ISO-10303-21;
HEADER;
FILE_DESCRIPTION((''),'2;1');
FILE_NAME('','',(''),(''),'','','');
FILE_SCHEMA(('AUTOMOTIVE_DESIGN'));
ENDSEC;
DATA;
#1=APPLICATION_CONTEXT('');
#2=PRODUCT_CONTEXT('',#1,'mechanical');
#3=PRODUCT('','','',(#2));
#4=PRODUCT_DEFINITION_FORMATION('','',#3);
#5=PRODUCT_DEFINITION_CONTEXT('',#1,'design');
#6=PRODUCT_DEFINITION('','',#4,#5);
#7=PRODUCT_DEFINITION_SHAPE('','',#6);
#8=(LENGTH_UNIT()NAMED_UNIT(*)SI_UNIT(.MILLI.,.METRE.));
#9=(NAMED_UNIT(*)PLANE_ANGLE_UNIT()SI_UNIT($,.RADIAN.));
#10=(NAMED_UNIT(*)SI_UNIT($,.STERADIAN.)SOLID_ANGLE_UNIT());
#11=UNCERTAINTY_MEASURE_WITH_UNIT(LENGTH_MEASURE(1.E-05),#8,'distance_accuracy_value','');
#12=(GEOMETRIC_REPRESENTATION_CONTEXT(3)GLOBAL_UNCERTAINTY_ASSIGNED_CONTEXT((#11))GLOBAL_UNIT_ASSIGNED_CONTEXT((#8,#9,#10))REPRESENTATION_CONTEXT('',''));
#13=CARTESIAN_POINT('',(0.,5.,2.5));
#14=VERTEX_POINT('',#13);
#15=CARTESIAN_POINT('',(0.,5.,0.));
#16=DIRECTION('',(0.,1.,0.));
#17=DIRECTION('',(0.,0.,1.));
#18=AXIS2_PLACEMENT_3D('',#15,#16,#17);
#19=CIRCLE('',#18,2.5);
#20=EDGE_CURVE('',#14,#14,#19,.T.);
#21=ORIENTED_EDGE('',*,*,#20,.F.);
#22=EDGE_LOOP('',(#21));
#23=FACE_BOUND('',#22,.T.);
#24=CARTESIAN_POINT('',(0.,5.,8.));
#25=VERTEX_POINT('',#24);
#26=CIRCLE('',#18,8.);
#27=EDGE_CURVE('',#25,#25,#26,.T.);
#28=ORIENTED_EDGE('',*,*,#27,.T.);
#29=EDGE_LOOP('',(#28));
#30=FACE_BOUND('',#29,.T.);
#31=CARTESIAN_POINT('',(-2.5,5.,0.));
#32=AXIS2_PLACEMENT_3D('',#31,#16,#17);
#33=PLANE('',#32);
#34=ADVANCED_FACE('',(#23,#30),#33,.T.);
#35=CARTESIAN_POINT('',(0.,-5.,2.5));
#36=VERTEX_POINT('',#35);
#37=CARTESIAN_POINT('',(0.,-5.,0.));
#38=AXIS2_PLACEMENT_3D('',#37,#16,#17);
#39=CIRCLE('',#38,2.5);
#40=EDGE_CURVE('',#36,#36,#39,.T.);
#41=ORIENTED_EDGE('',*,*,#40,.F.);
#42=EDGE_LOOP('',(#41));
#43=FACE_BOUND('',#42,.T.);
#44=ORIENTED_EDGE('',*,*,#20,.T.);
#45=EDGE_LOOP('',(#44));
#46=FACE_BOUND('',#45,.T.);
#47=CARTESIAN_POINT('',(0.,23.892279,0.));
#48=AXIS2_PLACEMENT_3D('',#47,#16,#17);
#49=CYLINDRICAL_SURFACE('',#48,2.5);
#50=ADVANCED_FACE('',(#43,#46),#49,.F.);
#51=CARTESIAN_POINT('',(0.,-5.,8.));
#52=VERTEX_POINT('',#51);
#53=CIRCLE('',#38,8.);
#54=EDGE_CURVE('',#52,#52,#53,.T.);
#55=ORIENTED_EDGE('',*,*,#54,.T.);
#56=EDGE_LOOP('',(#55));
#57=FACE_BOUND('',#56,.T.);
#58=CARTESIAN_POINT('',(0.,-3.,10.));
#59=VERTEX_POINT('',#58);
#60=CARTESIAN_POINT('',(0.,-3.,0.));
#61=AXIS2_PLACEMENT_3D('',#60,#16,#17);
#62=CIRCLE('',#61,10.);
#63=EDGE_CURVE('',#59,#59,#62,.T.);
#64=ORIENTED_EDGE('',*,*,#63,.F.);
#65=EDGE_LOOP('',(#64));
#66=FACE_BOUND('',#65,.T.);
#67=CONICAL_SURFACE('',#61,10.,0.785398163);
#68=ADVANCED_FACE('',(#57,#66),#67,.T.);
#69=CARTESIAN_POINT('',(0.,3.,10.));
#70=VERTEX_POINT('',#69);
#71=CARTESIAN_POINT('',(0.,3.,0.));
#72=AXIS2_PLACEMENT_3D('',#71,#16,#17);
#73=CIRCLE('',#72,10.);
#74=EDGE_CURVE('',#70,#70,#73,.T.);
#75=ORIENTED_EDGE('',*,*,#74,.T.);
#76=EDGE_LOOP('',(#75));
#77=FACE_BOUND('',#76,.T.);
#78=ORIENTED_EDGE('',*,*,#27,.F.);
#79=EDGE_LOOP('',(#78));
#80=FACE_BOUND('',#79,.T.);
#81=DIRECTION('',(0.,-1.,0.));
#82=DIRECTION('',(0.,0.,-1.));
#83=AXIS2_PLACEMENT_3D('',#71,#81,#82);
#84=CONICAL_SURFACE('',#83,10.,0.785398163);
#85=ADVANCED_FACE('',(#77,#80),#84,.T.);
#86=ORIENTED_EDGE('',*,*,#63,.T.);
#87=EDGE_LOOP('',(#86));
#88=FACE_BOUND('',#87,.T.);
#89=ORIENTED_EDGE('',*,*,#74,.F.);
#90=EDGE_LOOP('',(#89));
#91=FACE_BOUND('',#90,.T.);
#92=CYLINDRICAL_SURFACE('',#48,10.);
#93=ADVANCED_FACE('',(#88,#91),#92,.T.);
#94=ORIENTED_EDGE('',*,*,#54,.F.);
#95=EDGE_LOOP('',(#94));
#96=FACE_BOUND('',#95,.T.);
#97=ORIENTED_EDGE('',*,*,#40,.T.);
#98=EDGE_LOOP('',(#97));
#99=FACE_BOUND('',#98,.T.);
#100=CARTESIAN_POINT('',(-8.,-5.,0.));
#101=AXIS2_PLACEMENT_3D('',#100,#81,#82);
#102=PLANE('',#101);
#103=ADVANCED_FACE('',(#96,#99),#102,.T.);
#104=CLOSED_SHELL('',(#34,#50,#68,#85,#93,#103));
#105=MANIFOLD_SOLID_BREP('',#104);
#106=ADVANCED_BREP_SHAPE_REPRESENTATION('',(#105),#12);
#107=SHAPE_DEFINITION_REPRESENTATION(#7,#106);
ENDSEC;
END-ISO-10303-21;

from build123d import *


with BuildPart() as part:
    # Sketch1 → Revolve1 (revolve)
    with BuildSketch(Plane.XY, mode=Mode.PRIVATE) as revolve1_sk:
        Polygon((-8, -5), (-2.5, -5), (-2.5, 5), (-8, 5), (-10, 3), (-10, -3), align=None)
    revolve(revolve1_sk.sketch.rotate(Axis((0, 23.892278862, 0), (0, -1, 0)), 270), axis=Axis((0, 23.892278862, 0), (0, -1, 0)))


solid = part.part
